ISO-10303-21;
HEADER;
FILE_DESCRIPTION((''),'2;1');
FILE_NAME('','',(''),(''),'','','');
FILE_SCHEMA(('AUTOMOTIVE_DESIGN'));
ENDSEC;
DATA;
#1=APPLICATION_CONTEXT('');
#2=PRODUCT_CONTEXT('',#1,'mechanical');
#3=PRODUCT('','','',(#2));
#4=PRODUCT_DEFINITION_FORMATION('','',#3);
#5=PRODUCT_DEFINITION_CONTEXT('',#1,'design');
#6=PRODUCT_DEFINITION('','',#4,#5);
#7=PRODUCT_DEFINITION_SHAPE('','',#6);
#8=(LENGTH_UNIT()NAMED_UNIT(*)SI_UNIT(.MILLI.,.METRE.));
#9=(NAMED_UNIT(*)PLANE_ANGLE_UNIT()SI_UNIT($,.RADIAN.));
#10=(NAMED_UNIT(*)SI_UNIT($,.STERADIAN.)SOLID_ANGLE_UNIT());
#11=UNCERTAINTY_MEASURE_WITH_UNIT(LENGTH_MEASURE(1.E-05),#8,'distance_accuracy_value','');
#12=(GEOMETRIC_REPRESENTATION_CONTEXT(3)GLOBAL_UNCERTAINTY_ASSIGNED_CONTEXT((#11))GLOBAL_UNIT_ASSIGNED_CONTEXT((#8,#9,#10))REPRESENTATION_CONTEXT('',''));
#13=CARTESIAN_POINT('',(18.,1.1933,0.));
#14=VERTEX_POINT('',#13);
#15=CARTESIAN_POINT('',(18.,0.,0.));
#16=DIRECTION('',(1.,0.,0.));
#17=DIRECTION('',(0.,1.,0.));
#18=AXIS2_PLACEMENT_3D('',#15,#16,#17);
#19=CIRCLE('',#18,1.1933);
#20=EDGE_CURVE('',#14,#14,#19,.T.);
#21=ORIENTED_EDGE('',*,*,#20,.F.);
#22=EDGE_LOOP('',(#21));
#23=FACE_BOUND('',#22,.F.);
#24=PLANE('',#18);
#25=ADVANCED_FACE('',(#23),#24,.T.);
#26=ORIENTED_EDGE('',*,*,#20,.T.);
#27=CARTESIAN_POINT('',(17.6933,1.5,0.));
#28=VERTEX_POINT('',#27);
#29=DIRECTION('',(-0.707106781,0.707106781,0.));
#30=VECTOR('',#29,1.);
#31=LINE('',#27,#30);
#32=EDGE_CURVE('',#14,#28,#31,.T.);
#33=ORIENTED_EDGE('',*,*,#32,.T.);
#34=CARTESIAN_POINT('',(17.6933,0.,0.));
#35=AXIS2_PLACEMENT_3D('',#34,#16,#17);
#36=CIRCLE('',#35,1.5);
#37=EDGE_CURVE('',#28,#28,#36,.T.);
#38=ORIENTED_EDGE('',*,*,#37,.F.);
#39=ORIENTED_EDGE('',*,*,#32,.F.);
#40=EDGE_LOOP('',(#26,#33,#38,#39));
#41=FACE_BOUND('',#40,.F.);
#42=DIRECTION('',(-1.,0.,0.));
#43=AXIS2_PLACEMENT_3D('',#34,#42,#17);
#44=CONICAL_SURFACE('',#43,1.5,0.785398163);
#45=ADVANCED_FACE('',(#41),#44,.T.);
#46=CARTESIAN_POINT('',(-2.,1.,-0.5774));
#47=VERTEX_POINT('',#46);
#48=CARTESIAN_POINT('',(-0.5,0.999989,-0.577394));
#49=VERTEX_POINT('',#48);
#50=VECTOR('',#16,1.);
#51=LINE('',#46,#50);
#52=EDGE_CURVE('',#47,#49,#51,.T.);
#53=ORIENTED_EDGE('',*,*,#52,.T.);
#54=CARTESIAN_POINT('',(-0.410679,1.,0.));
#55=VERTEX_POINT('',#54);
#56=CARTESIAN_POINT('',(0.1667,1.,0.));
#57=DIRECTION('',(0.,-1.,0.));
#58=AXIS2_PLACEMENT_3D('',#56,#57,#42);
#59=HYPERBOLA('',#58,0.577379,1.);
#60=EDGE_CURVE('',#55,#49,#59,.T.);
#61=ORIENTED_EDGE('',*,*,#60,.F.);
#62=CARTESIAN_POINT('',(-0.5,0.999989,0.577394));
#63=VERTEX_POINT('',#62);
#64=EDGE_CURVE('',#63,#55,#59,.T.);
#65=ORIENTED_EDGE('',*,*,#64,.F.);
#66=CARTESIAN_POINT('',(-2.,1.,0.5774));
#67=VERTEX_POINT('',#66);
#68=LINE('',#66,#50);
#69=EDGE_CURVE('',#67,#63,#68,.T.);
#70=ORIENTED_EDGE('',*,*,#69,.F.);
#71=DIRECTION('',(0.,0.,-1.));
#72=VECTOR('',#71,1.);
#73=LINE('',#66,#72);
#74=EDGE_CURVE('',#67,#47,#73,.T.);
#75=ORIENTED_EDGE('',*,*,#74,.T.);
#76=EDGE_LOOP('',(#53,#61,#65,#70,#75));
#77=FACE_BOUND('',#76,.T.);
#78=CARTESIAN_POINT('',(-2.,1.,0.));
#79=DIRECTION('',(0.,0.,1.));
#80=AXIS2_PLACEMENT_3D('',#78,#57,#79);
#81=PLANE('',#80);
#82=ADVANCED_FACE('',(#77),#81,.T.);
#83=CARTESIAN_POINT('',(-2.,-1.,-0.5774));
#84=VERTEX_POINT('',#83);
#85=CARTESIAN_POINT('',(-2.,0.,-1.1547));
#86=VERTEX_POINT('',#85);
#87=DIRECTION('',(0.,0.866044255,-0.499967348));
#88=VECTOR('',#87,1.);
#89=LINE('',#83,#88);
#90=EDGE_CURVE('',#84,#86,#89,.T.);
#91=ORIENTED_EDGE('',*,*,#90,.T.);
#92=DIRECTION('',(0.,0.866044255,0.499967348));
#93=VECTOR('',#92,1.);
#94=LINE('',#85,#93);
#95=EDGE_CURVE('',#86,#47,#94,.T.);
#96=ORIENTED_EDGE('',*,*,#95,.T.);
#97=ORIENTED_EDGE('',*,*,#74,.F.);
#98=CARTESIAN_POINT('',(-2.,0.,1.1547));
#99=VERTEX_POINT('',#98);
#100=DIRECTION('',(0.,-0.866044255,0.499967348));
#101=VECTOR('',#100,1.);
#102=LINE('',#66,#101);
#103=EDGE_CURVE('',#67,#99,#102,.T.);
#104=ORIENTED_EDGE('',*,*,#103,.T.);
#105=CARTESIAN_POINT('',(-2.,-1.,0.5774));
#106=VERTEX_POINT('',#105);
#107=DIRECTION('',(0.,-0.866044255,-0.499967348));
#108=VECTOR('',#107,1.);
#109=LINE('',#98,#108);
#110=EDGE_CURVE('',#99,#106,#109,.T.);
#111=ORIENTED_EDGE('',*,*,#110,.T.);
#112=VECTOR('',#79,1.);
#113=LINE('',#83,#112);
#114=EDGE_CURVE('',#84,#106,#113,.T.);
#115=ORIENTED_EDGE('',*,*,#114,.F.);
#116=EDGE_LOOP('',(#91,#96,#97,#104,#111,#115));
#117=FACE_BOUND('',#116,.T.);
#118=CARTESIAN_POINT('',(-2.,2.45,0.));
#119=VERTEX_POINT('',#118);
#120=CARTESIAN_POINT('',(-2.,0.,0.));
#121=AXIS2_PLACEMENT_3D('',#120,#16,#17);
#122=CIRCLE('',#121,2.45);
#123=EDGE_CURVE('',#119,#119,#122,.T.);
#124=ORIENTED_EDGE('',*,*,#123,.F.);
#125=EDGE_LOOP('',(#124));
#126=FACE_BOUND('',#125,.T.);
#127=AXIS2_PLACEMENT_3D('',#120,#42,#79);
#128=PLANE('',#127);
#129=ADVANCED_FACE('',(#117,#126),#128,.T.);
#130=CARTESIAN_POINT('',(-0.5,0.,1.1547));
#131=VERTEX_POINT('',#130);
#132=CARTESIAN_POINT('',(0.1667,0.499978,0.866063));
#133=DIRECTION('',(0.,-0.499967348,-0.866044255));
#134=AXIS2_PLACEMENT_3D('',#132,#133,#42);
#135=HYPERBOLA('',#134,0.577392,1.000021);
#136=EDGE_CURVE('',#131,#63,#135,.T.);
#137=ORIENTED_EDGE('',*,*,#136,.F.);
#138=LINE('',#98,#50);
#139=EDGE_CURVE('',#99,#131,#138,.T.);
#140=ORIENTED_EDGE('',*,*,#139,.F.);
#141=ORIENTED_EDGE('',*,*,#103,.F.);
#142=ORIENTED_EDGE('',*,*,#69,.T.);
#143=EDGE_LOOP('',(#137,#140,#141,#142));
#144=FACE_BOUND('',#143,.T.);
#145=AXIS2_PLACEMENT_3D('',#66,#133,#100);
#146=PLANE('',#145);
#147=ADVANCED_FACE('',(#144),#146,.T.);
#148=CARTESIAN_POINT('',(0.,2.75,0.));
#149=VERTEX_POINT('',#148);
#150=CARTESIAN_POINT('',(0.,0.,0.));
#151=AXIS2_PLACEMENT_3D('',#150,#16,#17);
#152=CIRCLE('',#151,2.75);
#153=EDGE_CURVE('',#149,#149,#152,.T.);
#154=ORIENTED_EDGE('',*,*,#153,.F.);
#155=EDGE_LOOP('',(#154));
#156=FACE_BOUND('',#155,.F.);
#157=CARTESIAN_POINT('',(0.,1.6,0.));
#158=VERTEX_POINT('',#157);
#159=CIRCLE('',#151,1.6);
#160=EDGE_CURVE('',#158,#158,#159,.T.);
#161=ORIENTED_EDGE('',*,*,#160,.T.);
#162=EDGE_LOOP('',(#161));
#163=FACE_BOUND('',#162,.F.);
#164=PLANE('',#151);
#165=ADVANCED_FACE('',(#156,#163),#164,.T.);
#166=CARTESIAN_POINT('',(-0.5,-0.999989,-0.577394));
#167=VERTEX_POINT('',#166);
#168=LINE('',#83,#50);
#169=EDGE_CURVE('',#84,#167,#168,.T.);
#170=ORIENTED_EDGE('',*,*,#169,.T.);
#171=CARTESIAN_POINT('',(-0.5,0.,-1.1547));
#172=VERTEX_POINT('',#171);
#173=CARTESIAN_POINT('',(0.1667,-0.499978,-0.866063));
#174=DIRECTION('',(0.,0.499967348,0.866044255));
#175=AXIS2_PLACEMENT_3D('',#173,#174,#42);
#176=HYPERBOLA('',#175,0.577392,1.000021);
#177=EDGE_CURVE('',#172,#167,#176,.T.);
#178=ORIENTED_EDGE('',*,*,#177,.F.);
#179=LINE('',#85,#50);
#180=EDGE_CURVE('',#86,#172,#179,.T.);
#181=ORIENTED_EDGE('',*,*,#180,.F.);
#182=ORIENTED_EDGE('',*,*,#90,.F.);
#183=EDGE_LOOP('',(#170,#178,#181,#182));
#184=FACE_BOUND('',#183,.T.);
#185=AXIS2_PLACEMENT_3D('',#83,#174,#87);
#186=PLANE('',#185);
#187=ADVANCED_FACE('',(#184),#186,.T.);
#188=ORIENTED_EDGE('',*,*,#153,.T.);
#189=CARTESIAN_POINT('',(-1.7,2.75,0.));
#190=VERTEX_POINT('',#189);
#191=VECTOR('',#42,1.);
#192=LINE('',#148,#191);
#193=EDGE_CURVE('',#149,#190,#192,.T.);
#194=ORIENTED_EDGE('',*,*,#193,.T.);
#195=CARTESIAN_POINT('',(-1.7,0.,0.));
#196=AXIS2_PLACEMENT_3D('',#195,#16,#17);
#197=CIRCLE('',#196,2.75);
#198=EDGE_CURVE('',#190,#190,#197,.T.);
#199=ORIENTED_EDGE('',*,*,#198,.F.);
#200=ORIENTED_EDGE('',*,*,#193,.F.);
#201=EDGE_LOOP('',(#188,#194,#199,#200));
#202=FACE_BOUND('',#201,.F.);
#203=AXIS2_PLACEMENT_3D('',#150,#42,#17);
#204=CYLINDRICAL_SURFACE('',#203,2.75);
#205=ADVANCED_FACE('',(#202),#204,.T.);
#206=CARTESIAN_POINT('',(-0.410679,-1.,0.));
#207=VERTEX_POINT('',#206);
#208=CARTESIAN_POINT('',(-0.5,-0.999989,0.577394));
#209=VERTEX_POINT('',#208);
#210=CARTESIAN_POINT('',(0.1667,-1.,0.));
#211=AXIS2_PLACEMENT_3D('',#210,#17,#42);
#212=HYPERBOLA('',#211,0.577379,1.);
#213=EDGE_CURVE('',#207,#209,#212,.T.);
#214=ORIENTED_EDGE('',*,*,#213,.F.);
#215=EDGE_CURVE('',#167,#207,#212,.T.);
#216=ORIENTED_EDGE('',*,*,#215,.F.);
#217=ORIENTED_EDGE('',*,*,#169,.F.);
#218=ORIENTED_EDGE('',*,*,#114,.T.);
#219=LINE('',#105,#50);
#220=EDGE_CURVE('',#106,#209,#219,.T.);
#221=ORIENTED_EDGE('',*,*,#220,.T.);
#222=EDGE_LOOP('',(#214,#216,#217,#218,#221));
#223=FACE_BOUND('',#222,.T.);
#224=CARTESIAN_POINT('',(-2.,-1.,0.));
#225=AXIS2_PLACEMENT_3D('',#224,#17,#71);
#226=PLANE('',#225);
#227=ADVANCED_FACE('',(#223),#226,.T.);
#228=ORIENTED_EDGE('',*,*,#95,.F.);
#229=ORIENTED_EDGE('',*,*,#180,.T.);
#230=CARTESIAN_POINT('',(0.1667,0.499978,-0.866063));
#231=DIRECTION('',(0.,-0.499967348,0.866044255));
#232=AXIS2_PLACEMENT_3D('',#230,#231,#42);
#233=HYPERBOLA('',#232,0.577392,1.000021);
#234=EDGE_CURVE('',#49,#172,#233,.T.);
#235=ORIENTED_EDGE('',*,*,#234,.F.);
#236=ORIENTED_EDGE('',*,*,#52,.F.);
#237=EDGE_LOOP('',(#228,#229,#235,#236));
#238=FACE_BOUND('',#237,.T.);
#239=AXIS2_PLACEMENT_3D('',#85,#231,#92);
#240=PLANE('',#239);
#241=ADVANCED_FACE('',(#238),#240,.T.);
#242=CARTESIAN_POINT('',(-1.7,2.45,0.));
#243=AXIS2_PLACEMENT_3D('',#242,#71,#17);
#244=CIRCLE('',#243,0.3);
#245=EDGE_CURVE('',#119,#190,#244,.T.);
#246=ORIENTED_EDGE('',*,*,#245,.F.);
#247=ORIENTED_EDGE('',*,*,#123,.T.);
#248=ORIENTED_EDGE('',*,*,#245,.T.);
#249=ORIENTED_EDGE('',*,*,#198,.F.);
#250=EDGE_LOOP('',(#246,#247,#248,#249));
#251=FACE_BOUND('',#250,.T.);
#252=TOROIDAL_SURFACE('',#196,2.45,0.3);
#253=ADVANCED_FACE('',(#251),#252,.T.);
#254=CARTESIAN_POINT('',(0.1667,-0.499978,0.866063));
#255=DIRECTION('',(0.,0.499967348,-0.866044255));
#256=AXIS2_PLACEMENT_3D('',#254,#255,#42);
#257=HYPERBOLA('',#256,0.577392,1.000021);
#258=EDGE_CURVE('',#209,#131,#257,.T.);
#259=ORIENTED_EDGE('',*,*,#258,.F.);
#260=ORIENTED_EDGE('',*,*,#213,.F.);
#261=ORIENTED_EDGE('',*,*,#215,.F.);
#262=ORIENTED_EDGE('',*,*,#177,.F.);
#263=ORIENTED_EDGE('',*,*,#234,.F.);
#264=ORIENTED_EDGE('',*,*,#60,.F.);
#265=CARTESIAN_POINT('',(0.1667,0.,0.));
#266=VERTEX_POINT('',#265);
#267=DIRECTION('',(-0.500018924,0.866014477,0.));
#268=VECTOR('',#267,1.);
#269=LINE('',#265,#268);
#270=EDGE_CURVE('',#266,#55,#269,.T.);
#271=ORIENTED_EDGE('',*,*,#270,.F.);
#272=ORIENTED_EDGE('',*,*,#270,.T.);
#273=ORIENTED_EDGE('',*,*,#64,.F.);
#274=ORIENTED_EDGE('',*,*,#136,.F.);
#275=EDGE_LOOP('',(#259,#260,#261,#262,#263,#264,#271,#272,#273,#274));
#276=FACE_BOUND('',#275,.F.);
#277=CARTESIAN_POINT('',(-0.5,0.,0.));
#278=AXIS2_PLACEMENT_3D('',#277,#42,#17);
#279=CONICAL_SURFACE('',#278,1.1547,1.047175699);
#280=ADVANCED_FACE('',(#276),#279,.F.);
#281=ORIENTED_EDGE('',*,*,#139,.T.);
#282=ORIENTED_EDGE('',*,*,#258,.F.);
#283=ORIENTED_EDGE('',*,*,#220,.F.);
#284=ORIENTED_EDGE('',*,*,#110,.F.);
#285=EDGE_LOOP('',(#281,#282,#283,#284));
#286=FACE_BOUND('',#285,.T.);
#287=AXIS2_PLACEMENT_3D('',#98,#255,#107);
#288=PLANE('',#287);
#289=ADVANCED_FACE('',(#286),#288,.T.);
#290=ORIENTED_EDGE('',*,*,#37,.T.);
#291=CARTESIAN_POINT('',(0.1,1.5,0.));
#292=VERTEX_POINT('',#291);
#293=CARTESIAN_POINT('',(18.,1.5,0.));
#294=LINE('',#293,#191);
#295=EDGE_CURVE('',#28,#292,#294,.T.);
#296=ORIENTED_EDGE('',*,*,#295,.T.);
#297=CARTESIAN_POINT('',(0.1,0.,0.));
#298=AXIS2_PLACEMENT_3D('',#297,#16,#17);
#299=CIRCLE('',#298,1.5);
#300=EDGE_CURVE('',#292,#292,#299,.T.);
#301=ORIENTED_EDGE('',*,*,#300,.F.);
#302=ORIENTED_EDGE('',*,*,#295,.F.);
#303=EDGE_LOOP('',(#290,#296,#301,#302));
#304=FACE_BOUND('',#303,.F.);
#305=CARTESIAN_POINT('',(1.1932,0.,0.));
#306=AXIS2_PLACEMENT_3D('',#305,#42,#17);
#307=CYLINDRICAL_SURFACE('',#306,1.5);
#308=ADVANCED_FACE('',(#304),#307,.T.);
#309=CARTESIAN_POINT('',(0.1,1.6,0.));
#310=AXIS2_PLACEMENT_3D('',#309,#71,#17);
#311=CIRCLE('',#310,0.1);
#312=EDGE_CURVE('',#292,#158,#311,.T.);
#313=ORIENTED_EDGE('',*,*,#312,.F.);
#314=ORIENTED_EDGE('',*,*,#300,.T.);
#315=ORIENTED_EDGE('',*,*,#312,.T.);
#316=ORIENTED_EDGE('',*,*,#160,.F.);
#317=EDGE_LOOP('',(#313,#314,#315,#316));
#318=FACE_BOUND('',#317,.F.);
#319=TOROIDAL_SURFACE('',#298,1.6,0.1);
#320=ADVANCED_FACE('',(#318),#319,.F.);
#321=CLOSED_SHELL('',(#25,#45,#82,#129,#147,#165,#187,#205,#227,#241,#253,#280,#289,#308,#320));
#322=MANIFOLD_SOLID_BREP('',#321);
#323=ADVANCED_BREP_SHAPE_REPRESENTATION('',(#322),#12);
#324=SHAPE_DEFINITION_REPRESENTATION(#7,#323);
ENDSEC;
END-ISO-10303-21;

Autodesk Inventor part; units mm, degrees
ref_plane "YZ Plane" through (0, 0, 0) normal (1, 0, 0) x (0, 1, 0)
ref_plane "XZ Plane" through (0, 0, 0) normal (0, 1, 0) x (-1, 0, 0)
sketch "Szkic1" plane through (0, 0, 0) normal (0, 0, 1) x (1, 0, 0)
  line L0 (0.1667, 0) -> (18, 0)
  line L1 (18, 0) -> (18, 1.5)
  line L2 (18, 1.5) -> (1.5, 1.5)
  line L3 (1.5, 1.5) -> (1.1932, 1.5)
  line L4 (1.1932, 1.5) -> (0, 1.5)
  line L5 (0, 1.5) -> (0, 2.75)
  line L6 (0, 2.75) -> (-2, 2.75)
  line L7 (-2, 2.75) -> (-2, 1.1547)
  line L8 (-2, 1.1547) -> (-0.5, 1.1547)
  line L9 (-0.5, 1.1547) -> (0.1667, 0)
  line L10 (-6, 0) -> (22, 0) projected
  line L11 (0, -0.55) -> (0, 3.3) projected
  line L12 (1.5, 1.5) -> (0, 1.5) construction
  dimension "d1" = 16.5
  dimension "d2" = 0.3068
  dimension "d3" = 2
  dimension "d4" = 1.5
  dimension "d5" = 60
  dimension "d6" = 3
  dimension "d7" = 3
  dimension "d8" = 2.3094
  dimension "d9" = 5.5
  dimension "d26" = 18
revolve "Bryła" add sketch "Szkic1" angle 360 about axis through (0.1667, 0, 0) along (1, 0, 0) contours L9 L11 L4 L3 L2 L1 L0 | L9 L8 L7 L6 L5 L11
sketch "Szkic2" plane through (-2, 0, 0) normal (-1, 0, 0) x (0, 0, 1)
  circle A0 centre (0, 0) radius 1.1547 projected
  line L0 (0, -3.85) -> (0, 3.85) projected
  line L1 (-3.85, 0) -> (3.85, 0) projected
  line L2 (1.1547, 0) -> (0.5774, -1)
  line L3 (0.5774, -1) -> (-0.5774, -1)
  line L4 (-0.5774, -1) -> (-1.1547, 0)
  line L5 (-1.1547, 0) -> (-0.5774, 1)
  line L6 (-0.5774, 1) -> (0.5774, 1)
  line L7 (0.5774, 1) -> (1.1547, 0)
  point P0 (0, 0)
extrude "Szczelina" add sketch "Szkic2" against normal up to next contours L7 A0 | A0 L2 | L6 L0 A0 | A0 L0 L3 | L0 L6 A0 | A0 L3 L0 | L4 A0 | A0 L5
fillet "Zaokrąglenie1" radius 0.3 1 edges at (-2, -2.75, 0)
thread "Gwint" size "M3x0.5" class "6g" standard "ISO Metric profile" length 16.5
chamfer "Faza1" distance 0.3067 distance2 0.3067 1 edges at (18, -1.5, 0) measured on face at (18, -0.4645, -0.4115)
ref_plane "Work Plane1" through (29, 0, 0) normal (0, -1, 0) x (1, 0, 0)
fillet "Fillet2" radius 0.1 1 edges at (0, -1.5, 0)
equation "\"d1\" = GEL"
equation "\"d3\" = KOH"
equation "\"d4\" = INTI"
equation "\"d6\" = GD"
equation "\"d7\" = BDM"
equation "\"d8\" = 1.1547 * SW"
equation "\"d9\" = KOD"
equation "\"d26\" = NLG"
equation "\"d30\" = R"
equation "\"d17\" = RR"
equation "\"d13\" = GEL"
equation "\"d15\" = -0.5 * SPD + 0.5 * GD"
equation "\"d16\" = GUL"
equation "\"GD\" = NND"
equation "\"NLG\" = 18"
equation "\"GEL\" = 16.5"
equation "\"KOD\" = 5.5"
equation "\"KOH\" = 2"
equation "\"INTI\" = 1.5"
equation "\"GAL\" = 0.61345 * PTC"
equation "\"GUL\" = 0.61345 * PTC"
equation "\"BDM\" = NND"
equation "\"SW\" = 2"
equation "\"RR\" = 0.3"
equation "\"SPD\" = NND - 1.2269 * PTC"
equation "\"R\" = 0.1"
equation "\"TOA\" = 30deg"
equation "\"GD1\" = THREADDIA - 1.2269 * PTC"
equation "\"THREADDIA\" = 3"
equation "\"FAWI\" = 45deg"
equation "\"ANG\" = 120deg"
equation "\"PTC\" = 0.5"
equation "\"NND\" = 3"
equation "\"E0\" = 1.155 * SW"
properties part number "DIN 7984 - M3 x 18" material "Stal, miękka"
